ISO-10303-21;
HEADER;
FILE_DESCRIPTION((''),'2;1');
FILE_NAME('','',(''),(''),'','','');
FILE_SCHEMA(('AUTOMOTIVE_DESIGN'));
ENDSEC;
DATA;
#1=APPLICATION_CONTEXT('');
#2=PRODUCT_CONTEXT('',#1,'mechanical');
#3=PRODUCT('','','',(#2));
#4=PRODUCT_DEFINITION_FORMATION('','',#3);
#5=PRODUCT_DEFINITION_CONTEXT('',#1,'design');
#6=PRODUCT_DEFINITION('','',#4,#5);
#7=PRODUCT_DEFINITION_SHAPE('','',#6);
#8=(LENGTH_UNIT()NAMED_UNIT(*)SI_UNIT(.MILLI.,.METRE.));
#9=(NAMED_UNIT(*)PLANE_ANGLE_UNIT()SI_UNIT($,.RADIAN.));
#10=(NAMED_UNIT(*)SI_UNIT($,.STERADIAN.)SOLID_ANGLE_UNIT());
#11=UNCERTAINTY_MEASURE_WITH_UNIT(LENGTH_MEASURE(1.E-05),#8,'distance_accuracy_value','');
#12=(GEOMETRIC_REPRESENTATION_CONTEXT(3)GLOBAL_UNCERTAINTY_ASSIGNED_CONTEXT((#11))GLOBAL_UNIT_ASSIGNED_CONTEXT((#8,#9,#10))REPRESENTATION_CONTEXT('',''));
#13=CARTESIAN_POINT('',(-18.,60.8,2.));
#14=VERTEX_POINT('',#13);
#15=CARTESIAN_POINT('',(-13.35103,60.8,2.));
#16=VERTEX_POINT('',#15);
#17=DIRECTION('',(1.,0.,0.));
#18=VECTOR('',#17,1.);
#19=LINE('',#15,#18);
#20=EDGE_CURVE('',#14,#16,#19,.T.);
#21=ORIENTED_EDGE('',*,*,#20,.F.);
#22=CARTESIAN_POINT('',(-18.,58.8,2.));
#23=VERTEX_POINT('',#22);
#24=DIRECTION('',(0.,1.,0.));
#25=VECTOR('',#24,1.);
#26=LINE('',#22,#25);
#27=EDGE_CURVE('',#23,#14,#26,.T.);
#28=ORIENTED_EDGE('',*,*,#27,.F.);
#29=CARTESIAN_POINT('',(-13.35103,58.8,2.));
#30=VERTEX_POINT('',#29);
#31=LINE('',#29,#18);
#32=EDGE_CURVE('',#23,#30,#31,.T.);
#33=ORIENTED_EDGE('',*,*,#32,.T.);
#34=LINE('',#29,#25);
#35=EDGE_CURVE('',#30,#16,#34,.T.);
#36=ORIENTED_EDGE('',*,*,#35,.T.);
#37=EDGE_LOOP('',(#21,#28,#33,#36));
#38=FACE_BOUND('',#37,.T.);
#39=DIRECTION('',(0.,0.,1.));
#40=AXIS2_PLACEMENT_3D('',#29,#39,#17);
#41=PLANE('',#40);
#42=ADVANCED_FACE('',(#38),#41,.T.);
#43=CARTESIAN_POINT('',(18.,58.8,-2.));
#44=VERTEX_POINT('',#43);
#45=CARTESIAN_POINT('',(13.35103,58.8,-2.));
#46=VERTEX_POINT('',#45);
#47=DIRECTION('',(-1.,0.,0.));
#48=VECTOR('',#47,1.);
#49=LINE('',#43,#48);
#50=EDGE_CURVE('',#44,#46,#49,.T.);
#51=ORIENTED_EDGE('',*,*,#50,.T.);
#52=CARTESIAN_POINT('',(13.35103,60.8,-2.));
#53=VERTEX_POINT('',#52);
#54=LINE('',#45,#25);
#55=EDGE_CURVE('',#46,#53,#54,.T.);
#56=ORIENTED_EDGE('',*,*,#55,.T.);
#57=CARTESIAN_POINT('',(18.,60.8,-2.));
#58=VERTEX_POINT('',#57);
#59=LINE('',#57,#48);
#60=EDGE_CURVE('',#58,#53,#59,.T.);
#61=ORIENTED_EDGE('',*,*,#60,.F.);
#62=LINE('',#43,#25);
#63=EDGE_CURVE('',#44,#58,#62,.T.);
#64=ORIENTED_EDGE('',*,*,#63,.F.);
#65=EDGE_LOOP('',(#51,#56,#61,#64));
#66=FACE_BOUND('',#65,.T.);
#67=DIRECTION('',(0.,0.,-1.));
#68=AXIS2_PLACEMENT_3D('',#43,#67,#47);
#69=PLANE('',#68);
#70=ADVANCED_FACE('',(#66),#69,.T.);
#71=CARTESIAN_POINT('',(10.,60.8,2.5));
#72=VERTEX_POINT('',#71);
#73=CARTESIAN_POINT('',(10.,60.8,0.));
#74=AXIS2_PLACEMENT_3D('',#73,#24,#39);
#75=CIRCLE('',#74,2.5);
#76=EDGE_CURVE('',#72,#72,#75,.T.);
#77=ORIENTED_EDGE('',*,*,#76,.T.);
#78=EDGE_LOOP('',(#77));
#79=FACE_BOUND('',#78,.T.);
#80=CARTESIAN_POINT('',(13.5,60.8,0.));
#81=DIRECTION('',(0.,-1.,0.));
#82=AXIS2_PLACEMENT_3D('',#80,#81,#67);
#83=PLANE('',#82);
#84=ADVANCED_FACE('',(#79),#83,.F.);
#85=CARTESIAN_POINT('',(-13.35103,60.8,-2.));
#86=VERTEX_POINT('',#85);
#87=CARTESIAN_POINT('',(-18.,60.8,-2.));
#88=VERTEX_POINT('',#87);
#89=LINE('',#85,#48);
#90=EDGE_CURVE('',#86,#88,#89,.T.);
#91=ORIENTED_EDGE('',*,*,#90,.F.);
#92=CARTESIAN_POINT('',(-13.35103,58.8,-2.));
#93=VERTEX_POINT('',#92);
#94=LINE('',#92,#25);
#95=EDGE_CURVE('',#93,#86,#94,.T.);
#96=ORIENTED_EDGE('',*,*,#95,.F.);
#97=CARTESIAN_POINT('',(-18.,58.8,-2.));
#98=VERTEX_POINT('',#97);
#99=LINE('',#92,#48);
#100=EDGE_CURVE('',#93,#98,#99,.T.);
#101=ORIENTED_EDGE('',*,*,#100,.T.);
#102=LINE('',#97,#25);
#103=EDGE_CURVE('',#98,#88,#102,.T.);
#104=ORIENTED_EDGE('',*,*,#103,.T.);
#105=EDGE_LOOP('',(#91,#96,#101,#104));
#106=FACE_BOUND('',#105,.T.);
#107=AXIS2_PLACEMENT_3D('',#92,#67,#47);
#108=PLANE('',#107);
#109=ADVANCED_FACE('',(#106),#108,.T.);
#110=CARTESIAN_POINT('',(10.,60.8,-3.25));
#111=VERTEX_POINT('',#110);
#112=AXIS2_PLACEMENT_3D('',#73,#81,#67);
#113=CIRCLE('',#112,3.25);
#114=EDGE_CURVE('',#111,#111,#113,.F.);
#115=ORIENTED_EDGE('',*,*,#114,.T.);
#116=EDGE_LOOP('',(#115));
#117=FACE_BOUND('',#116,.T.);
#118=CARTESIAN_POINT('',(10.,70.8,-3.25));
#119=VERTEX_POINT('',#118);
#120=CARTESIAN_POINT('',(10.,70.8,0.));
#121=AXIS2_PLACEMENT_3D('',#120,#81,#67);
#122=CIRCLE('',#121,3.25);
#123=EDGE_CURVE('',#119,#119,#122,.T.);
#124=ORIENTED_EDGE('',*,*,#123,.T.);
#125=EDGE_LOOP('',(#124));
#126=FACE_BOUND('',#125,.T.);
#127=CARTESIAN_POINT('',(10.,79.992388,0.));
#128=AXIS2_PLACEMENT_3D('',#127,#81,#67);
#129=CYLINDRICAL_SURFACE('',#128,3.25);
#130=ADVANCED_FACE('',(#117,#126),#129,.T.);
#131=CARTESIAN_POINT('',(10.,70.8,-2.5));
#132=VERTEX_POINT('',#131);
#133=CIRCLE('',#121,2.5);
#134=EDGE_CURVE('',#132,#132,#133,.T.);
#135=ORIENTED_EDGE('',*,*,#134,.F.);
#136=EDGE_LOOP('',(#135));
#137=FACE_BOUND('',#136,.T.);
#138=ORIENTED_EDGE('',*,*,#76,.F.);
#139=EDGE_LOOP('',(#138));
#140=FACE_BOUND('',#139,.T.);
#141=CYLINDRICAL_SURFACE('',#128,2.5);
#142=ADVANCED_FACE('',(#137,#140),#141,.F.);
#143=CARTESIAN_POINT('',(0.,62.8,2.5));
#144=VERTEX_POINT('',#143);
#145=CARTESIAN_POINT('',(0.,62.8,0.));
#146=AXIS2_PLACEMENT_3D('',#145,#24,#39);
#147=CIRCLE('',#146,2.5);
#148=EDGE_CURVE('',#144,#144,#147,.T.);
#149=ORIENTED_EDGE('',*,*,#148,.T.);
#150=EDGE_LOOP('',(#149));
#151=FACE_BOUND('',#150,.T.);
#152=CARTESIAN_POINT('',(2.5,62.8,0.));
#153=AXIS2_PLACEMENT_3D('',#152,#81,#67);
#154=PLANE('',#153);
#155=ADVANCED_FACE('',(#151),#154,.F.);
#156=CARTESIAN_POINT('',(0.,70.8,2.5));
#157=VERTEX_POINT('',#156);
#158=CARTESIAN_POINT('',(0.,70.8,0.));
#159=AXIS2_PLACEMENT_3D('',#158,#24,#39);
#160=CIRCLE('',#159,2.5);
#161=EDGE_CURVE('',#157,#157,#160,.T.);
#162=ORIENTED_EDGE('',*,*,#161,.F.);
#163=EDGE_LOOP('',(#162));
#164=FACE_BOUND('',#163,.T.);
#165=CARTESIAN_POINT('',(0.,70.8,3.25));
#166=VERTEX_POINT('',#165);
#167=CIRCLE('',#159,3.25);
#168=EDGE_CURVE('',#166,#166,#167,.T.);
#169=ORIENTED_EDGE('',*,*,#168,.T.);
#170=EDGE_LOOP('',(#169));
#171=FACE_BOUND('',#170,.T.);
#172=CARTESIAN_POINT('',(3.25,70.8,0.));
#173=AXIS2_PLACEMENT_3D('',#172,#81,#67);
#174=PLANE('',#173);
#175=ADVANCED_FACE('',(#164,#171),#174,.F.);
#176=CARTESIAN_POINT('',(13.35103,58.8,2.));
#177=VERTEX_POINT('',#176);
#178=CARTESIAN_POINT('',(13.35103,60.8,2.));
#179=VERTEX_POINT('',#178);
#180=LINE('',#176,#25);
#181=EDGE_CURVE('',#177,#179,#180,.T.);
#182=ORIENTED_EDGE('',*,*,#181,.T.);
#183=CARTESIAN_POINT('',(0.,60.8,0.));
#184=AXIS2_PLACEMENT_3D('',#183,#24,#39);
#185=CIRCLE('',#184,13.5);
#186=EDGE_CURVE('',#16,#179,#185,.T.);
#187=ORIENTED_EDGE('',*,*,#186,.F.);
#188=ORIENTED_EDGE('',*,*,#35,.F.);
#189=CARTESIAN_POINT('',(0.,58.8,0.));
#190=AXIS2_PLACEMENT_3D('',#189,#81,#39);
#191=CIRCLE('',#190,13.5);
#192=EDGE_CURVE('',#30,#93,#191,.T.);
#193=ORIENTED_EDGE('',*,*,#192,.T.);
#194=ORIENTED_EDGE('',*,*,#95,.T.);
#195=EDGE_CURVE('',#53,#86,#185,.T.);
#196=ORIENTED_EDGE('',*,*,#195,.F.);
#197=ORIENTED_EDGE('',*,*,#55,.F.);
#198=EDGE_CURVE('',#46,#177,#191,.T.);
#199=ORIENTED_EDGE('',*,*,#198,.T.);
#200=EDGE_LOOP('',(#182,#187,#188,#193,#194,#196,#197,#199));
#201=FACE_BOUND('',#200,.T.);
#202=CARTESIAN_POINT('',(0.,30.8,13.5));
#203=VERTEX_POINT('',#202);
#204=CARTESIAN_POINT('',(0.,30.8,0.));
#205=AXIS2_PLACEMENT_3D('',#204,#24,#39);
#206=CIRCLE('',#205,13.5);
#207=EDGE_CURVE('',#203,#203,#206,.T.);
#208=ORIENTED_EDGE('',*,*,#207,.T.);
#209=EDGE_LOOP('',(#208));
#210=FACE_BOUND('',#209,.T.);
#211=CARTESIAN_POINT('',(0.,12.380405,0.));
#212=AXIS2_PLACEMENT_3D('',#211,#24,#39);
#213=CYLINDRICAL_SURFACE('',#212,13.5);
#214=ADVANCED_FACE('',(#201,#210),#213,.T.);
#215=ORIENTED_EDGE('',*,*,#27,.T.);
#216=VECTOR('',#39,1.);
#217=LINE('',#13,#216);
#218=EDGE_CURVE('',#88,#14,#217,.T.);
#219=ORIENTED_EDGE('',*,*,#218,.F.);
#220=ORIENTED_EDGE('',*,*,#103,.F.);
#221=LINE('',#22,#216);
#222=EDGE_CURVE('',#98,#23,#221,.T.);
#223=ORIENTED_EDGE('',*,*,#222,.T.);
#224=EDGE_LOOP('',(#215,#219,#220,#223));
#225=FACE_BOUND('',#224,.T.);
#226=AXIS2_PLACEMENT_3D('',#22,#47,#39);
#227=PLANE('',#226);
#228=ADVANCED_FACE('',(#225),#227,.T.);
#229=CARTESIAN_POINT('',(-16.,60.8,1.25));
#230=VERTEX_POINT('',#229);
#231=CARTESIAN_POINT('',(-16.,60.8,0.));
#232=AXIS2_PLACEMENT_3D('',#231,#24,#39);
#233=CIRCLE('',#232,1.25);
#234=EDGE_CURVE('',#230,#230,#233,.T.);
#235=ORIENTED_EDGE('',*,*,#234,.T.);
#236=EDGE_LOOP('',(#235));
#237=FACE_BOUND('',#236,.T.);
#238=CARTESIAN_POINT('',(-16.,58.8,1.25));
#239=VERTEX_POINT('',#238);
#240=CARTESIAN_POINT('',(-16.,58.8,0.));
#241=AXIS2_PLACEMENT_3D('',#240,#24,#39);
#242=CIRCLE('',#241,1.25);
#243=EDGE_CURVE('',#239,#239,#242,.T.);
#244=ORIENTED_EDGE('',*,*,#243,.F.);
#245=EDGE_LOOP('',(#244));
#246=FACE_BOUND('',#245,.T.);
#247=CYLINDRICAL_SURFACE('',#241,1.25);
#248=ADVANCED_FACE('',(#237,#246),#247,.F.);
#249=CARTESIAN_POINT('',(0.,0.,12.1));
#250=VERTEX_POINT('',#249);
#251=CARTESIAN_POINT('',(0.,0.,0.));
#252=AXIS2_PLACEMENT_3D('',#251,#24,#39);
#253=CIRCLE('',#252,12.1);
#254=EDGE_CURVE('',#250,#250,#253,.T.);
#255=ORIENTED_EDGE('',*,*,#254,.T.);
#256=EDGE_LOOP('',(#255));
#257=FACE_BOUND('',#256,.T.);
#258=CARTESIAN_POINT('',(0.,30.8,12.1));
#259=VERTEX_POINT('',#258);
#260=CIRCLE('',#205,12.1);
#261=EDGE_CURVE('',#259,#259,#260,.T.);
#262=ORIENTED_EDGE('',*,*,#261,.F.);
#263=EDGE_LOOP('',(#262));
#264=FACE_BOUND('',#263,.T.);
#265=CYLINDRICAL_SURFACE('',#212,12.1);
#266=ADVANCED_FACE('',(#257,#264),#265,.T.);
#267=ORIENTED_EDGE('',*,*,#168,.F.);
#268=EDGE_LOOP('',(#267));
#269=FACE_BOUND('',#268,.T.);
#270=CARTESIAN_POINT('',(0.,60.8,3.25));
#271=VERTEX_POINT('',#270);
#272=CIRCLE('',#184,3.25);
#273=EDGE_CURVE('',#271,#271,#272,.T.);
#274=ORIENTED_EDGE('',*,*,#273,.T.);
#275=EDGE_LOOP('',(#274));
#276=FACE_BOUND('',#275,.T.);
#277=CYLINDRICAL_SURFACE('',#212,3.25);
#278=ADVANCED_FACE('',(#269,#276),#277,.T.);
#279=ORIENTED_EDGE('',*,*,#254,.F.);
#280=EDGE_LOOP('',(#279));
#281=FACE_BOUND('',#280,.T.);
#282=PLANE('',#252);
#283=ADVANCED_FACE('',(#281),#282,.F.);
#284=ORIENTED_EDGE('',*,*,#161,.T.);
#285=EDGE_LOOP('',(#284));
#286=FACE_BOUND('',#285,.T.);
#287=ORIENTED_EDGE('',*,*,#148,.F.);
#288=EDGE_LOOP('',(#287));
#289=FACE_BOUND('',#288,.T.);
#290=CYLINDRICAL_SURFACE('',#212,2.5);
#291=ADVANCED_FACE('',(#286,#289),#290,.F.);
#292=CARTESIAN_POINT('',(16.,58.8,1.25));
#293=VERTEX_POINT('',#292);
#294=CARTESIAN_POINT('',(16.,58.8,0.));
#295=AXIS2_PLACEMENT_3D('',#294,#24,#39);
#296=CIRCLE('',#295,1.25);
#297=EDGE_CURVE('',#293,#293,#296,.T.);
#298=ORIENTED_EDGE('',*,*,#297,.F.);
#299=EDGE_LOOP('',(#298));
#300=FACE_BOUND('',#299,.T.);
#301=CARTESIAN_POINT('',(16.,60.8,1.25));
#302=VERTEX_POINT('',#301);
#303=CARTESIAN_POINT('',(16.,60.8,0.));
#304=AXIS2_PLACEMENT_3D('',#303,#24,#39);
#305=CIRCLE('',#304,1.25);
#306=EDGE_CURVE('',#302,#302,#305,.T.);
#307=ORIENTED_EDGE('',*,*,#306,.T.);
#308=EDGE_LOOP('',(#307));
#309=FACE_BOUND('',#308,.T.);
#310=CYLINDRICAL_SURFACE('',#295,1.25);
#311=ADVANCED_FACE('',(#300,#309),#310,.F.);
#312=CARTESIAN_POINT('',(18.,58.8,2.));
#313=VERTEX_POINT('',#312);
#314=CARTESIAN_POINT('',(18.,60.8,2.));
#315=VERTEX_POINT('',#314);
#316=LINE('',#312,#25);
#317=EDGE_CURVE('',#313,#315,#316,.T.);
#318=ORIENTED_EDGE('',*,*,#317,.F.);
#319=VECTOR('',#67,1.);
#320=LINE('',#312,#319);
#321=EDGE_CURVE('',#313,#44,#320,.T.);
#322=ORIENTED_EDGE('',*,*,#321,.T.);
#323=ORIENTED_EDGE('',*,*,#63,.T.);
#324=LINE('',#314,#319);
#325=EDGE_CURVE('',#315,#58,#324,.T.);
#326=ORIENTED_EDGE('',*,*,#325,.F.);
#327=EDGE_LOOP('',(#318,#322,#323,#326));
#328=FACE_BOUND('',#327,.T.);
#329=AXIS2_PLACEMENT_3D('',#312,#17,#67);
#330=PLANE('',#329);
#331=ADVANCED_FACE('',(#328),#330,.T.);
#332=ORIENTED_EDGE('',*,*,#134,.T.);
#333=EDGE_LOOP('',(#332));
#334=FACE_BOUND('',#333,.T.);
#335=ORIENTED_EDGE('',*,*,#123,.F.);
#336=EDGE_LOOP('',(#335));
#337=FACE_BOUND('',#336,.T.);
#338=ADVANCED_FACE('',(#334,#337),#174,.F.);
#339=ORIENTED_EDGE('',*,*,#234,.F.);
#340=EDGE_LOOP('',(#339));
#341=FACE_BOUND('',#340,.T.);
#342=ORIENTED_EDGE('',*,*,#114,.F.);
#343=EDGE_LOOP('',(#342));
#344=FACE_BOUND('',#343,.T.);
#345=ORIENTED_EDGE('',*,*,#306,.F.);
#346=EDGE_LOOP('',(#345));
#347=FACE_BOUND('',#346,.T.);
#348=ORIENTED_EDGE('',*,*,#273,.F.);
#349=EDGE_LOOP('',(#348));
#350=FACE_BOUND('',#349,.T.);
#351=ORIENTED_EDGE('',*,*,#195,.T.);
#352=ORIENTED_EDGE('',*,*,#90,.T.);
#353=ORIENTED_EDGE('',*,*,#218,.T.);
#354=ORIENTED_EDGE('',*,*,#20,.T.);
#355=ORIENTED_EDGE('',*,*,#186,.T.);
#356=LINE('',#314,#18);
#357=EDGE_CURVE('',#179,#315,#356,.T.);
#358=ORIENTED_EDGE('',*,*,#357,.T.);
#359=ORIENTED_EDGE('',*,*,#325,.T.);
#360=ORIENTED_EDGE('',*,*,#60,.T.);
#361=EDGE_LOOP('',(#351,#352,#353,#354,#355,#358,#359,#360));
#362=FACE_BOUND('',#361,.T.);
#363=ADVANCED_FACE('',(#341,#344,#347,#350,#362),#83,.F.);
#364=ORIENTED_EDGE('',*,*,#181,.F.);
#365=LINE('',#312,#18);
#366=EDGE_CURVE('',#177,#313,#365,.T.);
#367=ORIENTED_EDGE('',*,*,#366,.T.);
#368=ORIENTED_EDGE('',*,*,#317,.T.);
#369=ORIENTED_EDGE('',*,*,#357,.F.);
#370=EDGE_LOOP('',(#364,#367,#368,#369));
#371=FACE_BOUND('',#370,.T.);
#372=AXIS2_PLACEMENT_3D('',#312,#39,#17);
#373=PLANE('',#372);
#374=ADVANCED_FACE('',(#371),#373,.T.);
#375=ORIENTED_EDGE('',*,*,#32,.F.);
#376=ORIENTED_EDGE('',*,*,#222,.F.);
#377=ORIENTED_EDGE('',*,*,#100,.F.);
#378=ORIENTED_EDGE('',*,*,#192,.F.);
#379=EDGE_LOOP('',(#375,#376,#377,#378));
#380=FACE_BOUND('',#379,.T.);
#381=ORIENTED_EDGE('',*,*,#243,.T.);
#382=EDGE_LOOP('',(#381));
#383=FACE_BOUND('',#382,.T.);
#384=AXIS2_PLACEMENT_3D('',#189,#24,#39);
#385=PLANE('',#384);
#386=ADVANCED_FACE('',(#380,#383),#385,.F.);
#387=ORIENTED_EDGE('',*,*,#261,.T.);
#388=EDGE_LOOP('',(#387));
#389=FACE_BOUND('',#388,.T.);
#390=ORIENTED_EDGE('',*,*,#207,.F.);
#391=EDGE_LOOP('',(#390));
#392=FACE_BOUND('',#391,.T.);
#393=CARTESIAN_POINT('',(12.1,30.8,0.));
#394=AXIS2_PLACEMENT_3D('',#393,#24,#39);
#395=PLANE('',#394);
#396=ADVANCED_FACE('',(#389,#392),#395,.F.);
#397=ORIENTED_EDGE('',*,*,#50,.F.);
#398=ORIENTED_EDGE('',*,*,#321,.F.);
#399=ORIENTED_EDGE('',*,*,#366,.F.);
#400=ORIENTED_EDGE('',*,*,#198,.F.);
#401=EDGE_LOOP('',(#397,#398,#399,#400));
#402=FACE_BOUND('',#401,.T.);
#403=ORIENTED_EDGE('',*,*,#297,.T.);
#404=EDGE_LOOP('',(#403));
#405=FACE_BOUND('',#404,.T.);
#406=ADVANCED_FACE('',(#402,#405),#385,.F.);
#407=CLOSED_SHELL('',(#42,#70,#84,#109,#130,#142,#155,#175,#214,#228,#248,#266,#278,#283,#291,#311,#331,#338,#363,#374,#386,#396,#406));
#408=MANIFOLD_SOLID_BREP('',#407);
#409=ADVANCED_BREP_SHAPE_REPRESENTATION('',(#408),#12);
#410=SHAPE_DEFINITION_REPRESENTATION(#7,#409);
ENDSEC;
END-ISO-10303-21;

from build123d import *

# Parameters (mm, degrees)
SKIZZE2_R                       = 3.25
SKIZZE2_R_2                     = 2.5
AUFSATZ_LINEAR_AUSTRAGEN1_DEPTH = 10
SKIZZE3_R                       = 1.25
AUFSATZ_LINEAR_AUSTRAGEN2_DEPTH = 2


with BuildPart() as part:
    # Skizze1 → Rotation1 (revolve)
    with BuildSketch(Plane.XY):
        Polygon((0, 0), (12.1, 0), (12.1, 30.8), (13.5, 30.8), (13.5, 60.8), (3.25, 60.8), (3.25, 70.8), (2.5, 70.8), (2.5, 62.8), (0, 62.8), align=None)
    revolve(axis=Axis((0, 12.380405046, 0), (0, -1, 0)))

    # Skizze2 → Aufsatz-Linear austragen1 (add)
    with BuildSketch(Plane(origin=(0, 60.8, 0), x_dir=(1, 0, 0), z_dir=(0, 1, 0))):
        with Locations((10, 0)):
            Circle(SKIZZE2_R)
        with Locations((10, 0)):
            Circle(SKIZZE2_R_2, mode=Mode.SUBTRACT)
    extrude(amount=AUFSATZ_LINEAR_AUSTRAGEN1_DEPTH)

    # Skizze3 → Aufsatz-Linear austragen2 (add)
    with BuildSketch(Plane(origin=(0, 60.8, 0), x_dir=(1, 0, 0), z_dir=(0, 1, 0))):
        with BuildLine():
            Line((-13.351029923, 2), (-18, 2))
            Line((-18, 2), (-18, -2))
            Line((-18, -2), (-13.351029923, -2))
            ThreePointArc((-13.351029923, -2), (-13.5, 0), (-13.351029923, 2))
        make_face()
        with Locations((-16, 0)):
            Circle(SKIZZE3_R, mode=Mode.SUBTRACT)
        with BuildLine():
            Line((18, -2), (13.351029923, -2))
            ThreePointArc((13.351029923, -2), (13.5, 0), (13.351029923, 2))
            Line((13.351029923, 2), (18, 2))
            Line((18, 2), (18, -2))
        make_face()
        with Locations((16, 0)):
            Circle(SKIZZE3_R, mode=Mode.SUBTRACT)
    extrude(amount=-AUFSATZ_LINEAR_AUSTRAGEN2_DEPTH)


solid = part.part
